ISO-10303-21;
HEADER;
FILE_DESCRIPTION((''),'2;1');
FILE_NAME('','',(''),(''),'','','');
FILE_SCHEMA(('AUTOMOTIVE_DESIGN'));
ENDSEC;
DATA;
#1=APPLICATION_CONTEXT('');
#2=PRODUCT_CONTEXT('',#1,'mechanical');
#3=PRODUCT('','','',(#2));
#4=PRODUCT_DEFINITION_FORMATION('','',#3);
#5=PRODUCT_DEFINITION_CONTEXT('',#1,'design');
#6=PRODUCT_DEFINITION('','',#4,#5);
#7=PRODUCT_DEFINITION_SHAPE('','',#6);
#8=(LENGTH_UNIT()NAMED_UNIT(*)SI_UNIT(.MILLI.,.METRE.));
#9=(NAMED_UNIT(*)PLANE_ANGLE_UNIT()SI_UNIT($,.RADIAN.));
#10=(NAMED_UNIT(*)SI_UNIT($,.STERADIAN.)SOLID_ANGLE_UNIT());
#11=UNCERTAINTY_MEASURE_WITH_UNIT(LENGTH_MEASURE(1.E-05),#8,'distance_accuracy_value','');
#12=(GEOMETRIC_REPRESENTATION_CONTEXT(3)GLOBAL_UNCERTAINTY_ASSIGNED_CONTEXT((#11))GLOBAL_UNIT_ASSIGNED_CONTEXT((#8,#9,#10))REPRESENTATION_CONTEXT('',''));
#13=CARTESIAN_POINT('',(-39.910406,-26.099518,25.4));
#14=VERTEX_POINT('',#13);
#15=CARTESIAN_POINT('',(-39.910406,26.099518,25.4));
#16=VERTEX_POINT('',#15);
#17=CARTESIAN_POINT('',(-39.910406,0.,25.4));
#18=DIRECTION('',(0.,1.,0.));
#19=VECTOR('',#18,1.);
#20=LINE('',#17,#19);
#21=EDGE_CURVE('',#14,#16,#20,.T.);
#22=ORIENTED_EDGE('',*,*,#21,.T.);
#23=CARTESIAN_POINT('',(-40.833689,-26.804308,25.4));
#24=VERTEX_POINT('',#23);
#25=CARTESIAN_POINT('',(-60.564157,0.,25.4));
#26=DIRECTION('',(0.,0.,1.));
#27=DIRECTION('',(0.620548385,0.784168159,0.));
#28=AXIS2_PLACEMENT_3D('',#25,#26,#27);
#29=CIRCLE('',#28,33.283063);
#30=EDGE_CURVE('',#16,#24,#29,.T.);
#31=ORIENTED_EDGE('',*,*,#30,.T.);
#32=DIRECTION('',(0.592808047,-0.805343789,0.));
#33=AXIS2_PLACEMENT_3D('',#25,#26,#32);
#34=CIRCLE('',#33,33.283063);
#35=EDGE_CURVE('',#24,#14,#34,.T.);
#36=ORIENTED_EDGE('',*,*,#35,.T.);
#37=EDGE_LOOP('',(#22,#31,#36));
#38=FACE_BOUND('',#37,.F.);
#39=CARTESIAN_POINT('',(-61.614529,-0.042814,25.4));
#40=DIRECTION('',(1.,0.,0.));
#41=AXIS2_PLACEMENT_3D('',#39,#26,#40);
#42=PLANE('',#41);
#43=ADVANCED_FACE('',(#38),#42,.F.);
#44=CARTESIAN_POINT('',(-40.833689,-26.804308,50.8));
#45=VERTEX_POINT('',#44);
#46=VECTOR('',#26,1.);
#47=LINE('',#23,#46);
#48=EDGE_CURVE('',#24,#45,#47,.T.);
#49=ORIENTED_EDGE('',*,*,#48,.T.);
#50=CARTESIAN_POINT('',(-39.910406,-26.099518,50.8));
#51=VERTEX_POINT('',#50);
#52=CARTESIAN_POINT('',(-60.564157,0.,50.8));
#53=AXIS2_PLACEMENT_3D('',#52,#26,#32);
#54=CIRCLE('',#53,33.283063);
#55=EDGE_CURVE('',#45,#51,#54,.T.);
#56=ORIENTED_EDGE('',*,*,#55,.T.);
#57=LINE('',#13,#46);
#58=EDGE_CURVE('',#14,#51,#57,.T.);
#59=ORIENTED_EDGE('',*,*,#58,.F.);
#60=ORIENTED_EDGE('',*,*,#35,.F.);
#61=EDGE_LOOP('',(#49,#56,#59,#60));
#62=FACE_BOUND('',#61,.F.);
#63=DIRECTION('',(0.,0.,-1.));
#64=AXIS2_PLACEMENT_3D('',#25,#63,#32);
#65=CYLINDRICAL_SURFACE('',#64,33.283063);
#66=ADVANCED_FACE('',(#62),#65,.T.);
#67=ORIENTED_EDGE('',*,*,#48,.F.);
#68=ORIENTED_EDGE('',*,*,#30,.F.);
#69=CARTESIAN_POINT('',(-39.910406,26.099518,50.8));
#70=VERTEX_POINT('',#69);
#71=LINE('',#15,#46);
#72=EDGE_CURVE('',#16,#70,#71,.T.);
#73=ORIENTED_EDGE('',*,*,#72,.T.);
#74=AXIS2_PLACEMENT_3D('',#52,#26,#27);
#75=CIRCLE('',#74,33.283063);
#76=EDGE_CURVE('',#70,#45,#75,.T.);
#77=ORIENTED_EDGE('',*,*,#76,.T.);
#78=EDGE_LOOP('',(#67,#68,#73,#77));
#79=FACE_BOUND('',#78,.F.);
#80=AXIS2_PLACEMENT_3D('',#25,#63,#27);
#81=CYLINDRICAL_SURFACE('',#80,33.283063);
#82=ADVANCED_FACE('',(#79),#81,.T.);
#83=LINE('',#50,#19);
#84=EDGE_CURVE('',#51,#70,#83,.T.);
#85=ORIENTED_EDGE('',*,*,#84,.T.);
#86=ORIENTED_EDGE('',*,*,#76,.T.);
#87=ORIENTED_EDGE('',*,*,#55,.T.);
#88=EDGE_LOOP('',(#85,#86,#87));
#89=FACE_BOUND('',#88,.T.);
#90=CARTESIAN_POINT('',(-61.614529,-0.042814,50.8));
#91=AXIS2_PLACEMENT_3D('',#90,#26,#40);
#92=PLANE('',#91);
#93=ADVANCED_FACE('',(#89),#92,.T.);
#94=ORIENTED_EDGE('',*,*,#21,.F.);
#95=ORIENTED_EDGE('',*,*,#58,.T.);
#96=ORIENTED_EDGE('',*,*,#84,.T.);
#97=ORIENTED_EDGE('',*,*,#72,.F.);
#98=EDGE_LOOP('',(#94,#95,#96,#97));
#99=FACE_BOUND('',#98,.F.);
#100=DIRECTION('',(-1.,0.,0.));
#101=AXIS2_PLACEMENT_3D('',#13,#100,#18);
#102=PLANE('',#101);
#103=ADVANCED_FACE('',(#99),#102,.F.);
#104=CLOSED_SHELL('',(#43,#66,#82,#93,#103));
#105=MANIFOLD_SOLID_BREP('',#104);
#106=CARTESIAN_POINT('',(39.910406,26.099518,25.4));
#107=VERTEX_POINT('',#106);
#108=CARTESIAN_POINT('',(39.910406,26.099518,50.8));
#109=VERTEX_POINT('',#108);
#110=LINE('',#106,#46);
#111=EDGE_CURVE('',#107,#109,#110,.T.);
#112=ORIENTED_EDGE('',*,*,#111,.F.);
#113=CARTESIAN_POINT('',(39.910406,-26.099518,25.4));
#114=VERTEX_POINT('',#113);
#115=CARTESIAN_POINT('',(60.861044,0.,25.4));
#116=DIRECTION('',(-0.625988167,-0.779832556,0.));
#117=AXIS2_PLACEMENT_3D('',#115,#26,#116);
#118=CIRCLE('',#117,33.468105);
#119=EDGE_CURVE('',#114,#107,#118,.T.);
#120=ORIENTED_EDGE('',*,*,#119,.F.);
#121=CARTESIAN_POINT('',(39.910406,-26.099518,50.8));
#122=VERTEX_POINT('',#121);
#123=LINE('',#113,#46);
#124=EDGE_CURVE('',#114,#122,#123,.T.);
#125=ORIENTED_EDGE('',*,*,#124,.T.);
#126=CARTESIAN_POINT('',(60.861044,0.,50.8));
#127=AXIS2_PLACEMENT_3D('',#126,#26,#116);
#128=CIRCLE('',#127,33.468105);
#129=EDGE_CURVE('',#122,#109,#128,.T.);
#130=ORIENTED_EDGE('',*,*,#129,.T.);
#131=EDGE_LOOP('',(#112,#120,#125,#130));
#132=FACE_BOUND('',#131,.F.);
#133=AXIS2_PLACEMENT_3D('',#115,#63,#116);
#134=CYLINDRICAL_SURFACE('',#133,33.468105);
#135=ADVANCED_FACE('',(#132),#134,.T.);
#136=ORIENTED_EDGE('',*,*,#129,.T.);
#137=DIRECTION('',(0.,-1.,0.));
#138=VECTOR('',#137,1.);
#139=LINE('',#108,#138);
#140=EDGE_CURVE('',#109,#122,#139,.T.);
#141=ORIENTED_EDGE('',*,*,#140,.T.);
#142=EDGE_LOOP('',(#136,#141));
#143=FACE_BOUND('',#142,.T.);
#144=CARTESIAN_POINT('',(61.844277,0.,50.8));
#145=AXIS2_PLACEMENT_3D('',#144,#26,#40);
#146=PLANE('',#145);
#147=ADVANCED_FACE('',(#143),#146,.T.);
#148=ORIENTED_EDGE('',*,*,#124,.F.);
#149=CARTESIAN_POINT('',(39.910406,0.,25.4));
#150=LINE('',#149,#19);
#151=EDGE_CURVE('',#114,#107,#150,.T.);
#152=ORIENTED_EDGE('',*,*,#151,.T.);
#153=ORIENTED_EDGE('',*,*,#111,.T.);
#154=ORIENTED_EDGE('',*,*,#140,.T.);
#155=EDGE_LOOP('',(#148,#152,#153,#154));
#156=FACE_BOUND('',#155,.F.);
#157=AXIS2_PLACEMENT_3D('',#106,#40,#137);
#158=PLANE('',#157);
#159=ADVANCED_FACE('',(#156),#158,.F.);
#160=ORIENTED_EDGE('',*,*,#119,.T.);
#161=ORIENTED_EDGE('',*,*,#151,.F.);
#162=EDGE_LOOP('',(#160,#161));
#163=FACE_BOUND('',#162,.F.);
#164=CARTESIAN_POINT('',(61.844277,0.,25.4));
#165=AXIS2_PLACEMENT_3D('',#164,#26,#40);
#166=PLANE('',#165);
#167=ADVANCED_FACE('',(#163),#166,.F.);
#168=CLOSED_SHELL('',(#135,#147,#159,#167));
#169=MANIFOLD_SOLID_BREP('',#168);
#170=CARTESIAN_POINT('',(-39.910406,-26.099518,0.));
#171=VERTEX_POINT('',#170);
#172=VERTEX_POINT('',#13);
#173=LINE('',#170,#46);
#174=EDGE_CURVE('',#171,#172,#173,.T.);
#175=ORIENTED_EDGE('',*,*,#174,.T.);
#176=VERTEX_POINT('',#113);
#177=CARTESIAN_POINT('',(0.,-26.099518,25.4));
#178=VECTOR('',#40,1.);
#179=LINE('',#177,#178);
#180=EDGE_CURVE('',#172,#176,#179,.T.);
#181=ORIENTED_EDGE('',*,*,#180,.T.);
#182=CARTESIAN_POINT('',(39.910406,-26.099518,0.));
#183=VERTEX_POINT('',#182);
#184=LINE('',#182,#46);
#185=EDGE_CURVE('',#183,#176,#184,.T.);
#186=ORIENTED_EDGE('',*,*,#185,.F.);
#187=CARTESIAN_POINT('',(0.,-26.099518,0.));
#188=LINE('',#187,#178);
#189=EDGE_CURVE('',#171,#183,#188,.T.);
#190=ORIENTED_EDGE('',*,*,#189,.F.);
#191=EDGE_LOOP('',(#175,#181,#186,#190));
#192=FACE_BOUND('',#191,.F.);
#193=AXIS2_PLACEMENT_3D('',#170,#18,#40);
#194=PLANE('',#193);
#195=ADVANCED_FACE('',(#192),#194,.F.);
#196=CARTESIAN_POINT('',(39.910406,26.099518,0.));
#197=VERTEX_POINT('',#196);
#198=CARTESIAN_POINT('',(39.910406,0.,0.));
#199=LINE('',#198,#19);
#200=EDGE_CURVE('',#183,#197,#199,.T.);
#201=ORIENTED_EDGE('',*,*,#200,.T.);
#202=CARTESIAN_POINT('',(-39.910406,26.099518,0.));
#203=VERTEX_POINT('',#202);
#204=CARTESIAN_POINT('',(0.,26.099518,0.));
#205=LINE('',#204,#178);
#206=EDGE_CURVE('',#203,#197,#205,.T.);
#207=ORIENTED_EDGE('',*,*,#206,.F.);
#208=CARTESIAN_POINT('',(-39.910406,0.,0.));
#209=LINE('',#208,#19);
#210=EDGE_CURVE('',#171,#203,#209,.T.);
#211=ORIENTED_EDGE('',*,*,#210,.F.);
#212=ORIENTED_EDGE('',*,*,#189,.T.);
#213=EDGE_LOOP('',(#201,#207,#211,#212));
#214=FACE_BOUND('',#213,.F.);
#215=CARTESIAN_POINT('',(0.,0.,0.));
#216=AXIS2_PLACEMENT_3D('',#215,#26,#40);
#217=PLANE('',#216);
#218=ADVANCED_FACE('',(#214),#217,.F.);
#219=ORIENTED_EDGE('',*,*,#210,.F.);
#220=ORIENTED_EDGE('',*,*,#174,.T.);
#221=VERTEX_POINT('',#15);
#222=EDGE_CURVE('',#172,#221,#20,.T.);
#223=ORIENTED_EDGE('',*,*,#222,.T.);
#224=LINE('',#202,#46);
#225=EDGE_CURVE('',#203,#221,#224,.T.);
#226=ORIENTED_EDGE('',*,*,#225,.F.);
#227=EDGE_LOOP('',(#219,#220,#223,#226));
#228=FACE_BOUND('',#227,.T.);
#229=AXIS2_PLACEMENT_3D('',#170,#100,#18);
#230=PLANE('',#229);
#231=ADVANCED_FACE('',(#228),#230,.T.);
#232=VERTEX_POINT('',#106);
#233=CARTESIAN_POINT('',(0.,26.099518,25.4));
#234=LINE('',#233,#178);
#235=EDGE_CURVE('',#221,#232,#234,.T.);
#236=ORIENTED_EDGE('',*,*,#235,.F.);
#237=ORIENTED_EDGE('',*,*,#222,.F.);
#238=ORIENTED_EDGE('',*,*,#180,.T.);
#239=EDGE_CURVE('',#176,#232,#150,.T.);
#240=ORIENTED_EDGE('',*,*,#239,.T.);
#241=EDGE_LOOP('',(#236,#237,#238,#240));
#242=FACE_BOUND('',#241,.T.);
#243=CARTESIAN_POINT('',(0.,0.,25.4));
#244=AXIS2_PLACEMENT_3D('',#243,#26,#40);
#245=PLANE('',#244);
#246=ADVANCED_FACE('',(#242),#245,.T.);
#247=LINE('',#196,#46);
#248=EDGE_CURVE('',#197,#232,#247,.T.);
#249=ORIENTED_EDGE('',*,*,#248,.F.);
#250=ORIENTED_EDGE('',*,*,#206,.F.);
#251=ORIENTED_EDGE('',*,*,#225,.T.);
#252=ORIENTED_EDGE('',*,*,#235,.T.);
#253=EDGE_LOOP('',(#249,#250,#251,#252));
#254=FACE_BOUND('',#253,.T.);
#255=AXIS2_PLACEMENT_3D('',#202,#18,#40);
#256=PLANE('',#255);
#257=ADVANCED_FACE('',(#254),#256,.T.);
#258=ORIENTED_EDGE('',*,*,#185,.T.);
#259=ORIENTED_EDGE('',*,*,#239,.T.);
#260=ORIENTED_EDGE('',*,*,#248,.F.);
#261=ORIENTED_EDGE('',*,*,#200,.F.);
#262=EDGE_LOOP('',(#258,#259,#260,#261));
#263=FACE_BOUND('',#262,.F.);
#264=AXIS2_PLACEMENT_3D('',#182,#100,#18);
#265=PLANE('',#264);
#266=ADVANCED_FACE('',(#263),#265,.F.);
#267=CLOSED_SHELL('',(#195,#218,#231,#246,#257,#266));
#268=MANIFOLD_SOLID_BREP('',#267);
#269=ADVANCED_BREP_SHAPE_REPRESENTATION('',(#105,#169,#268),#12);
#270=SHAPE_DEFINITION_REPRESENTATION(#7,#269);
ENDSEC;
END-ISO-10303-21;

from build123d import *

# Parameters (mm, degrees)
F0_W     = 79.8208117485
F0_H     = 52.1990358829
F1_DEPTH = 25.4
F3_DEPTH = 25.4
F4_DEPTH = 25.4


with BuildPart() as f1:
    # F0 (on Top) → F1 (new body)
    with BuildSketch(Plane.XY):
        Rectangle(F0_W, F0_H)
    extrude(amount=F1_DEPTH)

    # F2 (on face) → F3 (join)
    with BuildSketch(Plane.XY.offset(25.4)):
        with BuildLine():
            Line((-39.9104058743, -26.0995179415), (-39.9104058743, 26.0995179415))
            ThreePointArc((-39.9104058743, 26.0995179415), (-93.8421517759, 0.5807712398), (-40.8336892724, -26.8043077675))
            ThreePointArc((-40.8336892724, -26.8043077675), (-40.36897279, -26.4559408587), (-39.9104058743, -26.0995179415))
        make_face()
        with BuildLine():
            ThreePointArc((39.9104058743, -26.0995179415), (94.3291487358, 0), (39.9104058743, 26.0995179415))
            Line((39.9104058743, 26.0995179415), (39.9104058743, -26.0995179415))
        make_face()
    extrude(amount=F3_DEPTH)

    # F2 (on face) → F4 (join)
    with BuildSketch(Plane.XY.offset(25.4)):
        with BuildLine():
            Line((-39.9104058743, -26.0995179415), (-39.9104058743, 26.0995179415))
            ThreePointArc((-39.9104058743, 26.0995179415), (-93.8421517759, 0.5807712398), (-40.8336892724, -26.8043077675))
            ThreePointArc((-40.8336892724, -26.8043077675), (-40.36897279, -26.4559408587), (-39.9104058743, -26.0995179415))
        make_face()
        with BuildLine():
            ThreePointArc((39.9104058743, -26.0995179415), (94.3291487358, 0), (39.9104058743, 26.0995179415))
            Line((39.9104058743, 26.0995179415), (39.9104058743, -26.0995179415))
        make_face()
    extrude(amount=F4_DEPTH)


solid = f1.part
